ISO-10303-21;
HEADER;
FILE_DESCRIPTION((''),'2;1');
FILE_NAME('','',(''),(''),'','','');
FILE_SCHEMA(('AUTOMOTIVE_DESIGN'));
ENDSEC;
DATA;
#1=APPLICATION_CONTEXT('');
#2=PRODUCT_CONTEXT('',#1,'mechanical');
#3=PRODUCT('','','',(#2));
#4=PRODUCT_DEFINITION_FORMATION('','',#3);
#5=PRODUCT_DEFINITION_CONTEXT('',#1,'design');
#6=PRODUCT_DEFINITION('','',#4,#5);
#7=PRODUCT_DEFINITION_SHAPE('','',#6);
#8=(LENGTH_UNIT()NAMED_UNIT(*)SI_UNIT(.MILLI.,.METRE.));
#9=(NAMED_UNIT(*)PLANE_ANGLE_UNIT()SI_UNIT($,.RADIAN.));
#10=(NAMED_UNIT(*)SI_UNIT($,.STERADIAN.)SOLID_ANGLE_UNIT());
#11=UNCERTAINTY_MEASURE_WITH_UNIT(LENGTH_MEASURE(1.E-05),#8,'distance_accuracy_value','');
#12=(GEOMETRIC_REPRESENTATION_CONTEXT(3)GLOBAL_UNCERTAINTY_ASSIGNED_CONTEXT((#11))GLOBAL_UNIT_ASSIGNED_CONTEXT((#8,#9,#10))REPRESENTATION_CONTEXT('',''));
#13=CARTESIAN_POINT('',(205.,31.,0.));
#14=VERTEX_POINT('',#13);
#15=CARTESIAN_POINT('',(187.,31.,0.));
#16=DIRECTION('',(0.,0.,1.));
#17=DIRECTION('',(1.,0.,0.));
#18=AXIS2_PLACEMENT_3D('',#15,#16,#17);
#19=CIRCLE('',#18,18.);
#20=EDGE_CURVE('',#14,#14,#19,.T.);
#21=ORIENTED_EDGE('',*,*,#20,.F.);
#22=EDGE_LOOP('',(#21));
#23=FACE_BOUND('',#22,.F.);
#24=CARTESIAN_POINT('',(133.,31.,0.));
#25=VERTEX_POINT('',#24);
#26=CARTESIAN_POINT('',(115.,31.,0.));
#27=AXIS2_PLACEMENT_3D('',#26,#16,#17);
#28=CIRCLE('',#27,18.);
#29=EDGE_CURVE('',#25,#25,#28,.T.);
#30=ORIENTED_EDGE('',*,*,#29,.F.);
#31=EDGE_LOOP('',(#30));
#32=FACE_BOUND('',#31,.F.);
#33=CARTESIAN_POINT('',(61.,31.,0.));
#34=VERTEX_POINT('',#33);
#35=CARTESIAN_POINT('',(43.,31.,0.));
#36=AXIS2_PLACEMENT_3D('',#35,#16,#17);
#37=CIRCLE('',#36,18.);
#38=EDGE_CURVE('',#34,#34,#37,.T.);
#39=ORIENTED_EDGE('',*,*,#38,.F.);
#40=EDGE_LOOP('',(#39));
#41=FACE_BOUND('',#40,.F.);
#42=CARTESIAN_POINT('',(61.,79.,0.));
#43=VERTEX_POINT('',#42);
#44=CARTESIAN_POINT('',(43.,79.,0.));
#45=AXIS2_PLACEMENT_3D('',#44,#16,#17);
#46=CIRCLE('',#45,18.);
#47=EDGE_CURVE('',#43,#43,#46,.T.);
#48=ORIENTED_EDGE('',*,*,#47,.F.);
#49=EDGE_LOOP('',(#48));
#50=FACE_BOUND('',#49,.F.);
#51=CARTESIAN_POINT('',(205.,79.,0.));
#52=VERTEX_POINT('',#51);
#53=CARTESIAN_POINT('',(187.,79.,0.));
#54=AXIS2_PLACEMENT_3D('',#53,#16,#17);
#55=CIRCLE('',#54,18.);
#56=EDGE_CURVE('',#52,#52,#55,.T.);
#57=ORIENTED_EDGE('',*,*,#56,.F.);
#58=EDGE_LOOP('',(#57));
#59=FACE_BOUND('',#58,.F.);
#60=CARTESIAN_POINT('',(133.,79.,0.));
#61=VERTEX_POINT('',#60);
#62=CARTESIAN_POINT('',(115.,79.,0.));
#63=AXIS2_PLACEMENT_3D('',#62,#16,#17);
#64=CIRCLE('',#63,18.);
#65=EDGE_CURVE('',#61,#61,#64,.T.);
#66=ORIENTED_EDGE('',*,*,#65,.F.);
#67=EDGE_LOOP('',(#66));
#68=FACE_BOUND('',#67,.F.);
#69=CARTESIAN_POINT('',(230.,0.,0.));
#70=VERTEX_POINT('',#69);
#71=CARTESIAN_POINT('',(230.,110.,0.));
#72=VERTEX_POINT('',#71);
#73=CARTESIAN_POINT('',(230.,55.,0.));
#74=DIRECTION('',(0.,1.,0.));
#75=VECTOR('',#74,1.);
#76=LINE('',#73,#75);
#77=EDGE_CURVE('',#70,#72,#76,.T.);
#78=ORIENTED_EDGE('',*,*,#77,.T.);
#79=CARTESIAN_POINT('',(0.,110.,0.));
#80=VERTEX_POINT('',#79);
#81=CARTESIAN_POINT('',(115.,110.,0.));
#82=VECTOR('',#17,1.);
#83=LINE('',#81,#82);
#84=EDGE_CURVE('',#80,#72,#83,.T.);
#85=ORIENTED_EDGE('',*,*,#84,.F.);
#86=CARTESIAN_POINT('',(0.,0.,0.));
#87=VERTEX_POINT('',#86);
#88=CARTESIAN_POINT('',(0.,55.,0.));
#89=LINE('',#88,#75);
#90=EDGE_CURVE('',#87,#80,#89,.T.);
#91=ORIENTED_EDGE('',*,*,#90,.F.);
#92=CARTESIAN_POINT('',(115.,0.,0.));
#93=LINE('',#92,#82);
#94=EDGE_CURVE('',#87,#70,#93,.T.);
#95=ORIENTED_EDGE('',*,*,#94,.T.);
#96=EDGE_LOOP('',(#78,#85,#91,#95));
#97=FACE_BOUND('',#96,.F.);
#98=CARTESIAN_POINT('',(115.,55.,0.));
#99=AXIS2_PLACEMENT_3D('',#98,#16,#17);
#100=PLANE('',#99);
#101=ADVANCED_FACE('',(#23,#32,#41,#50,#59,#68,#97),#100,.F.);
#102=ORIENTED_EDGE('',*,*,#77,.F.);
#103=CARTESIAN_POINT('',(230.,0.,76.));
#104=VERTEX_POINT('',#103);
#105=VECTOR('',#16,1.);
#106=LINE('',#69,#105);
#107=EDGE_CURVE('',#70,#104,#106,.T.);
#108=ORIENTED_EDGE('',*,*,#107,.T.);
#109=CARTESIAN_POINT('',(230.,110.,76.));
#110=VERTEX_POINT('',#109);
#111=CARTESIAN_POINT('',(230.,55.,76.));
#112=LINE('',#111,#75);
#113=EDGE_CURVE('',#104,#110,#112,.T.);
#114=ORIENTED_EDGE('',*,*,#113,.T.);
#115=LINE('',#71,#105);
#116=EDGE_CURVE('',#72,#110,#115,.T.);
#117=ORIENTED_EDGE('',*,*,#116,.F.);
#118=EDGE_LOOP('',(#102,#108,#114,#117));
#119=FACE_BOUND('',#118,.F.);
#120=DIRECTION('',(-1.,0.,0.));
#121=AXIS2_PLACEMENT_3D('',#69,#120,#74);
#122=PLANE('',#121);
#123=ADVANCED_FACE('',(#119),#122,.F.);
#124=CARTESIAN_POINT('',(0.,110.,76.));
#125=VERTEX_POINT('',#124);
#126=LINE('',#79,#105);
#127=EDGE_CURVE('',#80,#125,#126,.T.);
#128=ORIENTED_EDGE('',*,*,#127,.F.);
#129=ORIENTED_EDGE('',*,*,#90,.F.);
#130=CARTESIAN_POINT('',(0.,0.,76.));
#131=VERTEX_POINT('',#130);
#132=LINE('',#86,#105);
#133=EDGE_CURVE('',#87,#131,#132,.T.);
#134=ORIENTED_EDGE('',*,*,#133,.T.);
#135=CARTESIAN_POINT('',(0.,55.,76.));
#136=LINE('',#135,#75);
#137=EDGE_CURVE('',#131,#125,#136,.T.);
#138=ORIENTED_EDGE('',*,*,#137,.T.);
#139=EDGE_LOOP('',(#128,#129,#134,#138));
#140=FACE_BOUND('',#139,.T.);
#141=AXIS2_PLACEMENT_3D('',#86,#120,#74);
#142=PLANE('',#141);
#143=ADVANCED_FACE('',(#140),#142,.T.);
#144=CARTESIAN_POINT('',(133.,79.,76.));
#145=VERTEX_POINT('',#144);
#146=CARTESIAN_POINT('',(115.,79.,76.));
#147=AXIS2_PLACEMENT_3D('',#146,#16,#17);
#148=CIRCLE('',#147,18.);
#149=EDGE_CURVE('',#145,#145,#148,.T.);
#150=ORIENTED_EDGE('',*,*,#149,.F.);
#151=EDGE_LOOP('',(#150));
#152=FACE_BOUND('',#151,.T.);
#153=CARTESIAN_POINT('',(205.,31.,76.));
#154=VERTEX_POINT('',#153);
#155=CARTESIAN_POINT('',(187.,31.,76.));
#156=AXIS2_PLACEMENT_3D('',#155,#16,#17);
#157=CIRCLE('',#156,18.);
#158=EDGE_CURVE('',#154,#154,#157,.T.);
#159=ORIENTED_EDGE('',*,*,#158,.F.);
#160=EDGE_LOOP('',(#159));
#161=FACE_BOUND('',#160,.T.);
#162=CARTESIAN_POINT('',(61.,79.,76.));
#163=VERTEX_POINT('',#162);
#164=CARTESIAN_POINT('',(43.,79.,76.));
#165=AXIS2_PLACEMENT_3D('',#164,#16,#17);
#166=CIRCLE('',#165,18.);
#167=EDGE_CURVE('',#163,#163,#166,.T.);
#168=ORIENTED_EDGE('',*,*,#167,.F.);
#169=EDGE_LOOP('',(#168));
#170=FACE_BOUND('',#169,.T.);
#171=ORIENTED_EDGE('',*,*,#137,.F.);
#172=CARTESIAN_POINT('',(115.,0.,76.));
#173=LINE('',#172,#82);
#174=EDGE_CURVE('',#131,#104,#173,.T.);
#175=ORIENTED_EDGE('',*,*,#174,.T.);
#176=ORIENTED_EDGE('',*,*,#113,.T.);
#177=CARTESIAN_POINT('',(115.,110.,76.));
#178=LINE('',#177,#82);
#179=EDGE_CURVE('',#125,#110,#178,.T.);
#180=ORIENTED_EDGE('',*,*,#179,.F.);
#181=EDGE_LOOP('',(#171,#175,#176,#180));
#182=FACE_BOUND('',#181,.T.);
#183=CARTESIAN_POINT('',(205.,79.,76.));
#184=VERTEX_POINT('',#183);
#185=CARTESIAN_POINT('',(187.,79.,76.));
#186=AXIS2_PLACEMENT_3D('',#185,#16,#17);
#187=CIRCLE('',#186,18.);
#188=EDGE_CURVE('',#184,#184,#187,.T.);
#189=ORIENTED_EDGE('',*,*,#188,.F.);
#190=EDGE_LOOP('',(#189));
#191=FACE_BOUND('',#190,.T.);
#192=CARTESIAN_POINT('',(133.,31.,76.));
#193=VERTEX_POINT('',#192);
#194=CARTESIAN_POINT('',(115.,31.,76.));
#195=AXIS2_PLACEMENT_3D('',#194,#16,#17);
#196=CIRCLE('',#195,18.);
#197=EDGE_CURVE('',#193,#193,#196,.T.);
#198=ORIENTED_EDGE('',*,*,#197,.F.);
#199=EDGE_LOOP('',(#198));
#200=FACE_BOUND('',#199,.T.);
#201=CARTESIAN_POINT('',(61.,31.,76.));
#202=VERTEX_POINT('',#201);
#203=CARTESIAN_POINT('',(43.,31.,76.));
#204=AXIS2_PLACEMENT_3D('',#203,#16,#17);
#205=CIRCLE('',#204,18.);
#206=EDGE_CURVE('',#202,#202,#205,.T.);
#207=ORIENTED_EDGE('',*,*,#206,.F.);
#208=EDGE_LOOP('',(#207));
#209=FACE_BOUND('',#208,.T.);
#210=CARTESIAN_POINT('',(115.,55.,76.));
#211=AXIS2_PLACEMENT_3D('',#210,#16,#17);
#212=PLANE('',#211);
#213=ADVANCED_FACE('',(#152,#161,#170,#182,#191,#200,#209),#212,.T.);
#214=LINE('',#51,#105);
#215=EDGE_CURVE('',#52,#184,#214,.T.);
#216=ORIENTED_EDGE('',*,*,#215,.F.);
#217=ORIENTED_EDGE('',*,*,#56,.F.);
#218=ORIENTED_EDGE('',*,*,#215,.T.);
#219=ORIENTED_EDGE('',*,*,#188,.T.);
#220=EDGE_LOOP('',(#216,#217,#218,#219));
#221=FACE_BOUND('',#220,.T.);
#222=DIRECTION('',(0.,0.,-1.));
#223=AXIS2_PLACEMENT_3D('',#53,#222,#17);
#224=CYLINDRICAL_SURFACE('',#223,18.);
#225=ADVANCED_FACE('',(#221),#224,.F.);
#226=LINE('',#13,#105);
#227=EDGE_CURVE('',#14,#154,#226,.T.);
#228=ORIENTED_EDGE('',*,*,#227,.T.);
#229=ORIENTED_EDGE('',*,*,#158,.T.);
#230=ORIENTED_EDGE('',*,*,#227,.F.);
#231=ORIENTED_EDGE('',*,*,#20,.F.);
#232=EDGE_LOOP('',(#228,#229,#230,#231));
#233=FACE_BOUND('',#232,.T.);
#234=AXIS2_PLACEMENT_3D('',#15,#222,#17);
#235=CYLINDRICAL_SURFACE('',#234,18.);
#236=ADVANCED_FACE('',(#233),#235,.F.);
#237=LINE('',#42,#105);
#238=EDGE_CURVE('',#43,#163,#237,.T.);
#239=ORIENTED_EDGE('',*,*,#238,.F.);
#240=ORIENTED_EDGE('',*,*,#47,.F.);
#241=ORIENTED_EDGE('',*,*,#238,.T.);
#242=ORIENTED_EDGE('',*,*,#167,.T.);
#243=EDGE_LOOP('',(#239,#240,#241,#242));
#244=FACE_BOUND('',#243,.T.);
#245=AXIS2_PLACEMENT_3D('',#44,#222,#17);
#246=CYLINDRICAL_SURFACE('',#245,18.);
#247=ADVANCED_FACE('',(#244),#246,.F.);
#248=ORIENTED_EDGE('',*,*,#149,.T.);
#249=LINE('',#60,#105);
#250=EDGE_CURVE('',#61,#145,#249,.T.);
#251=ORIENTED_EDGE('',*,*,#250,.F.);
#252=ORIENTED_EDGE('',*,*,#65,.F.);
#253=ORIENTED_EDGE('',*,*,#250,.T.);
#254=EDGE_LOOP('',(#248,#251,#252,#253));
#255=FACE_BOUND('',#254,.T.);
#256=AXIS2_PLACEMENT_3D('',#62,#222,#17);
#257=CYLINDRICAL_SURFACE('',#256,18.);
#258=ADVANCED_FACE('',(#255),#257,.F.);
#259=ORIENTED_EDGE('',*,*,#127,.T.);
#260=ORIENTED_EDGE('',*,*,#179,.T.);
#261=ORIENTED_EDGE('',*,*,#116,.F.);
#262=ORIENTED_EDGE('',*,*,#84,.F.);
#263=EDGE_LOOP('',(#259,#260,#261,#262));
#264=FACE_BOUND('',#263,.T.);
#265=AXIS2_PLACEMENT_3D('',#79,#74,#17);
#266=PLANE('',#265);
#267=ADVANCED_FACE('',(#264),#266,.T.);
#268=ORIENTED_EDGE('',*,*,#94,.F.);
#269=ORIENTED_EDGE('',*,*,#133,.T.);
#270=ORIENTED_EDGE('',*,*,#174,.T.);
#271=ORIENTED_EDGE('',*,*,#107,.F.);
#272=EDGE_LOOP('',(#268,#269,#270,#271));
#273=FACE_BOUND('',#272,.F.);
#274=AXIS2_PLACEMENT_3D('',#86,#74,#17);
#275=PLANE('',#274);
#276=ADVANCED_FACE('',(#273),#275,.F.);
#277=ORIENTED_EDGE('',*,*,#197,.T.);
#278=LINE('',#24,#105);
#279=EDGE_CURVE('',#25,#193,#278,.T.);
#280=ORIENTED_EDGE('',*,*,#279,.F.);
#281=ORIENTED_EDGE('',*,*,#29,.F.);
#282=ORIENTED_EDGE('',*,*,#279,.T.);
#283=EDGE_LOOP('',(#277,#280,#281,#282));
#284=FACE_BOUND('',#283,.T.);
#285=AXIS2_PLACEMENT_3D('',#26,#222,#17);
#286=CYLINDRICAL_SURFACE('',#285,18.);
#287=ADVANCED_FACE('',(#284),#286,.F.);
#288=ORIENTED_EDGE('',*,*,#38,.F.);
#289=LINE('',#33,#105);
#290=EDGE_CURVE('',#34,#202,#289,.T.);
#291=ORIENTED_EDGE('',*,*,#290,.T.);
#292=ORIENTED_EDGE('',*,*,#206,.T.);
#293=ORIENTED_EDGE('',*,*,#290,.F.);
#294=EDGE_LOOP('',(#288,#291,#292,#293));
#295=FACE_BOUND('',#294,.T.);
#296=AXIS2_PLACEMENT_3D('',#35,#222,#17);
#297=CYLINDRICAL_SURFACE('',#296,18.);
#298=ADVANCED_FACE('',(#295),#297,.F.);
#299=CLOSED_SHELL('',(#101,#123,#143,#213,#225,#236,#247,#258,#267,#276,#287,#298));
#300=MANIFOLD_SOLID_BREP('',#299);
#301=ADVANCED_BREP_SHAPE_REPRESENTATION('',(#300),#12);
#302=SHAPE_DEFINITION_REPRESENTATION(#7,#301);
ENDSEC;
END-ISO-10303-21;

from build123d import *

# Parameters (mm, degrees)
CYLINDER002_R     = 18
CYLINDER002_DEPTH = 76
CYLINDER003_R     = 18
CYLINDER003_DEPTH = 76
CYLINDER004_R     = 18
CYLINDER004_DEPTH = 76
CYLINDER005_R     = 18
CYLINDER005_DEPTH = 76
CYLINDER_R        = 18
CYLINDER_DEPTH    = 76
CYLINDER001_R     = 18
CYLINDER001_DEPTH = 76
BOX_W             = 230
BOX_H             = 110
BOX_DEPTH         = 76


with BuildPart() as cilindro002:
    # Cylinder002 → Cylinder002 (new body)
    with BuildSketch(Plane(origin=(43, 31, 0), x_dir=(1, 0, 0), z_dir=(0, 0, 1))):
        Circle(CYLINDER002_R)
    extrude(amount=CYLINDER002_DEPTH)


with BuildPart() as fusion001:
    # Cylinder003 → Cylinder003 (new body)
    with BuildSketch(Plane(origin=(43, 79, 0), x_dir=(1, 0, 0), z_dir=(0, 0, 1))):
        Circle(CYLINDER003_R)
    extrude(amount=CYLINDER003_DEPTH)

    # Fusion001: union Cilindro002
    add(cilindro002.part)


with BuildPart() as fusion001_1:
    # Fusion001 placement: moved
    add(fusion001.part.moved(Location((72, 0, 0))))


with BuildPart() as cilindro004:
    # Cylinder004 → Cylinder004 (new body)
    with BuildSketch(Plane(origin=(43, 31, 0), x_dir=(1, 0, 0), z_dir=(0, 0, 1))):
        Circle(CYLINDER004_R)
    extrude(amount=CYLINDER004_DEPTH)


with BuildPart() as fusion002:
    # Cylinder005 → Cylinder005 (new body)
    with BuildSketch(Plane(origin=(43, 79, 0), x_dir=(1, 0, 0), z_dir=(0, 0, 1))):
        Circle(CYLINDER005_R)
    extrude(amount=CYLINDER005_DEPTH)

    # Fusion002: union Cilindro004
    add(cilindro004.part)


with BuildPart() as fusion002_1:
    # Fusion002 placement: moved
    add(fusion002.part.moved(Location((144, 0, 0))))


with BuildPart() as cilindro:
    # Cylinder → Cylinder (new body)
    with BuildSketch(Plane(origin=(43, 31, 0), x_dir=(1, 0, 0), z_dir=(0, 0, 1))):
        Circle(CYLINDER_R)
    extrude(amount=CYLINDER_DEPTH)


with BuildPart() as fusion:
    # Cylinder001 → Cylinder001 (new body)
    with BuildSketch(Plane(origin=(43, 79, 0), x_dir=(1, 0, 0), z_dir=(0, 0, 1))):
        Circle(CYLINDER001_R)
    extrude(amount=CYLINDER001_DEPTH)

    # Fusion: union Cilindro
    add(cilindro.part)


with BuildPart() as cut002:
    # Box → Box (new body)
    with BuildSketch(Plane.XY):
        with Locations((115, 55)):
            Rectangle(BOX_W, BOX_H)
    extrude(amount=BOX_DEPTH)

    # Cut: cut Fusion
    add(fusion.part, mode=Mode.SUBTRACT)

    # Cut001: cut Fusion002
    add(fusion002_1.part, mode=Mode.SUBTRACT)

    # Cut002: cut Fusion001
    add(fusion001_1.part, mode=Mode.SUBTRACT)


solid = cut002.part
